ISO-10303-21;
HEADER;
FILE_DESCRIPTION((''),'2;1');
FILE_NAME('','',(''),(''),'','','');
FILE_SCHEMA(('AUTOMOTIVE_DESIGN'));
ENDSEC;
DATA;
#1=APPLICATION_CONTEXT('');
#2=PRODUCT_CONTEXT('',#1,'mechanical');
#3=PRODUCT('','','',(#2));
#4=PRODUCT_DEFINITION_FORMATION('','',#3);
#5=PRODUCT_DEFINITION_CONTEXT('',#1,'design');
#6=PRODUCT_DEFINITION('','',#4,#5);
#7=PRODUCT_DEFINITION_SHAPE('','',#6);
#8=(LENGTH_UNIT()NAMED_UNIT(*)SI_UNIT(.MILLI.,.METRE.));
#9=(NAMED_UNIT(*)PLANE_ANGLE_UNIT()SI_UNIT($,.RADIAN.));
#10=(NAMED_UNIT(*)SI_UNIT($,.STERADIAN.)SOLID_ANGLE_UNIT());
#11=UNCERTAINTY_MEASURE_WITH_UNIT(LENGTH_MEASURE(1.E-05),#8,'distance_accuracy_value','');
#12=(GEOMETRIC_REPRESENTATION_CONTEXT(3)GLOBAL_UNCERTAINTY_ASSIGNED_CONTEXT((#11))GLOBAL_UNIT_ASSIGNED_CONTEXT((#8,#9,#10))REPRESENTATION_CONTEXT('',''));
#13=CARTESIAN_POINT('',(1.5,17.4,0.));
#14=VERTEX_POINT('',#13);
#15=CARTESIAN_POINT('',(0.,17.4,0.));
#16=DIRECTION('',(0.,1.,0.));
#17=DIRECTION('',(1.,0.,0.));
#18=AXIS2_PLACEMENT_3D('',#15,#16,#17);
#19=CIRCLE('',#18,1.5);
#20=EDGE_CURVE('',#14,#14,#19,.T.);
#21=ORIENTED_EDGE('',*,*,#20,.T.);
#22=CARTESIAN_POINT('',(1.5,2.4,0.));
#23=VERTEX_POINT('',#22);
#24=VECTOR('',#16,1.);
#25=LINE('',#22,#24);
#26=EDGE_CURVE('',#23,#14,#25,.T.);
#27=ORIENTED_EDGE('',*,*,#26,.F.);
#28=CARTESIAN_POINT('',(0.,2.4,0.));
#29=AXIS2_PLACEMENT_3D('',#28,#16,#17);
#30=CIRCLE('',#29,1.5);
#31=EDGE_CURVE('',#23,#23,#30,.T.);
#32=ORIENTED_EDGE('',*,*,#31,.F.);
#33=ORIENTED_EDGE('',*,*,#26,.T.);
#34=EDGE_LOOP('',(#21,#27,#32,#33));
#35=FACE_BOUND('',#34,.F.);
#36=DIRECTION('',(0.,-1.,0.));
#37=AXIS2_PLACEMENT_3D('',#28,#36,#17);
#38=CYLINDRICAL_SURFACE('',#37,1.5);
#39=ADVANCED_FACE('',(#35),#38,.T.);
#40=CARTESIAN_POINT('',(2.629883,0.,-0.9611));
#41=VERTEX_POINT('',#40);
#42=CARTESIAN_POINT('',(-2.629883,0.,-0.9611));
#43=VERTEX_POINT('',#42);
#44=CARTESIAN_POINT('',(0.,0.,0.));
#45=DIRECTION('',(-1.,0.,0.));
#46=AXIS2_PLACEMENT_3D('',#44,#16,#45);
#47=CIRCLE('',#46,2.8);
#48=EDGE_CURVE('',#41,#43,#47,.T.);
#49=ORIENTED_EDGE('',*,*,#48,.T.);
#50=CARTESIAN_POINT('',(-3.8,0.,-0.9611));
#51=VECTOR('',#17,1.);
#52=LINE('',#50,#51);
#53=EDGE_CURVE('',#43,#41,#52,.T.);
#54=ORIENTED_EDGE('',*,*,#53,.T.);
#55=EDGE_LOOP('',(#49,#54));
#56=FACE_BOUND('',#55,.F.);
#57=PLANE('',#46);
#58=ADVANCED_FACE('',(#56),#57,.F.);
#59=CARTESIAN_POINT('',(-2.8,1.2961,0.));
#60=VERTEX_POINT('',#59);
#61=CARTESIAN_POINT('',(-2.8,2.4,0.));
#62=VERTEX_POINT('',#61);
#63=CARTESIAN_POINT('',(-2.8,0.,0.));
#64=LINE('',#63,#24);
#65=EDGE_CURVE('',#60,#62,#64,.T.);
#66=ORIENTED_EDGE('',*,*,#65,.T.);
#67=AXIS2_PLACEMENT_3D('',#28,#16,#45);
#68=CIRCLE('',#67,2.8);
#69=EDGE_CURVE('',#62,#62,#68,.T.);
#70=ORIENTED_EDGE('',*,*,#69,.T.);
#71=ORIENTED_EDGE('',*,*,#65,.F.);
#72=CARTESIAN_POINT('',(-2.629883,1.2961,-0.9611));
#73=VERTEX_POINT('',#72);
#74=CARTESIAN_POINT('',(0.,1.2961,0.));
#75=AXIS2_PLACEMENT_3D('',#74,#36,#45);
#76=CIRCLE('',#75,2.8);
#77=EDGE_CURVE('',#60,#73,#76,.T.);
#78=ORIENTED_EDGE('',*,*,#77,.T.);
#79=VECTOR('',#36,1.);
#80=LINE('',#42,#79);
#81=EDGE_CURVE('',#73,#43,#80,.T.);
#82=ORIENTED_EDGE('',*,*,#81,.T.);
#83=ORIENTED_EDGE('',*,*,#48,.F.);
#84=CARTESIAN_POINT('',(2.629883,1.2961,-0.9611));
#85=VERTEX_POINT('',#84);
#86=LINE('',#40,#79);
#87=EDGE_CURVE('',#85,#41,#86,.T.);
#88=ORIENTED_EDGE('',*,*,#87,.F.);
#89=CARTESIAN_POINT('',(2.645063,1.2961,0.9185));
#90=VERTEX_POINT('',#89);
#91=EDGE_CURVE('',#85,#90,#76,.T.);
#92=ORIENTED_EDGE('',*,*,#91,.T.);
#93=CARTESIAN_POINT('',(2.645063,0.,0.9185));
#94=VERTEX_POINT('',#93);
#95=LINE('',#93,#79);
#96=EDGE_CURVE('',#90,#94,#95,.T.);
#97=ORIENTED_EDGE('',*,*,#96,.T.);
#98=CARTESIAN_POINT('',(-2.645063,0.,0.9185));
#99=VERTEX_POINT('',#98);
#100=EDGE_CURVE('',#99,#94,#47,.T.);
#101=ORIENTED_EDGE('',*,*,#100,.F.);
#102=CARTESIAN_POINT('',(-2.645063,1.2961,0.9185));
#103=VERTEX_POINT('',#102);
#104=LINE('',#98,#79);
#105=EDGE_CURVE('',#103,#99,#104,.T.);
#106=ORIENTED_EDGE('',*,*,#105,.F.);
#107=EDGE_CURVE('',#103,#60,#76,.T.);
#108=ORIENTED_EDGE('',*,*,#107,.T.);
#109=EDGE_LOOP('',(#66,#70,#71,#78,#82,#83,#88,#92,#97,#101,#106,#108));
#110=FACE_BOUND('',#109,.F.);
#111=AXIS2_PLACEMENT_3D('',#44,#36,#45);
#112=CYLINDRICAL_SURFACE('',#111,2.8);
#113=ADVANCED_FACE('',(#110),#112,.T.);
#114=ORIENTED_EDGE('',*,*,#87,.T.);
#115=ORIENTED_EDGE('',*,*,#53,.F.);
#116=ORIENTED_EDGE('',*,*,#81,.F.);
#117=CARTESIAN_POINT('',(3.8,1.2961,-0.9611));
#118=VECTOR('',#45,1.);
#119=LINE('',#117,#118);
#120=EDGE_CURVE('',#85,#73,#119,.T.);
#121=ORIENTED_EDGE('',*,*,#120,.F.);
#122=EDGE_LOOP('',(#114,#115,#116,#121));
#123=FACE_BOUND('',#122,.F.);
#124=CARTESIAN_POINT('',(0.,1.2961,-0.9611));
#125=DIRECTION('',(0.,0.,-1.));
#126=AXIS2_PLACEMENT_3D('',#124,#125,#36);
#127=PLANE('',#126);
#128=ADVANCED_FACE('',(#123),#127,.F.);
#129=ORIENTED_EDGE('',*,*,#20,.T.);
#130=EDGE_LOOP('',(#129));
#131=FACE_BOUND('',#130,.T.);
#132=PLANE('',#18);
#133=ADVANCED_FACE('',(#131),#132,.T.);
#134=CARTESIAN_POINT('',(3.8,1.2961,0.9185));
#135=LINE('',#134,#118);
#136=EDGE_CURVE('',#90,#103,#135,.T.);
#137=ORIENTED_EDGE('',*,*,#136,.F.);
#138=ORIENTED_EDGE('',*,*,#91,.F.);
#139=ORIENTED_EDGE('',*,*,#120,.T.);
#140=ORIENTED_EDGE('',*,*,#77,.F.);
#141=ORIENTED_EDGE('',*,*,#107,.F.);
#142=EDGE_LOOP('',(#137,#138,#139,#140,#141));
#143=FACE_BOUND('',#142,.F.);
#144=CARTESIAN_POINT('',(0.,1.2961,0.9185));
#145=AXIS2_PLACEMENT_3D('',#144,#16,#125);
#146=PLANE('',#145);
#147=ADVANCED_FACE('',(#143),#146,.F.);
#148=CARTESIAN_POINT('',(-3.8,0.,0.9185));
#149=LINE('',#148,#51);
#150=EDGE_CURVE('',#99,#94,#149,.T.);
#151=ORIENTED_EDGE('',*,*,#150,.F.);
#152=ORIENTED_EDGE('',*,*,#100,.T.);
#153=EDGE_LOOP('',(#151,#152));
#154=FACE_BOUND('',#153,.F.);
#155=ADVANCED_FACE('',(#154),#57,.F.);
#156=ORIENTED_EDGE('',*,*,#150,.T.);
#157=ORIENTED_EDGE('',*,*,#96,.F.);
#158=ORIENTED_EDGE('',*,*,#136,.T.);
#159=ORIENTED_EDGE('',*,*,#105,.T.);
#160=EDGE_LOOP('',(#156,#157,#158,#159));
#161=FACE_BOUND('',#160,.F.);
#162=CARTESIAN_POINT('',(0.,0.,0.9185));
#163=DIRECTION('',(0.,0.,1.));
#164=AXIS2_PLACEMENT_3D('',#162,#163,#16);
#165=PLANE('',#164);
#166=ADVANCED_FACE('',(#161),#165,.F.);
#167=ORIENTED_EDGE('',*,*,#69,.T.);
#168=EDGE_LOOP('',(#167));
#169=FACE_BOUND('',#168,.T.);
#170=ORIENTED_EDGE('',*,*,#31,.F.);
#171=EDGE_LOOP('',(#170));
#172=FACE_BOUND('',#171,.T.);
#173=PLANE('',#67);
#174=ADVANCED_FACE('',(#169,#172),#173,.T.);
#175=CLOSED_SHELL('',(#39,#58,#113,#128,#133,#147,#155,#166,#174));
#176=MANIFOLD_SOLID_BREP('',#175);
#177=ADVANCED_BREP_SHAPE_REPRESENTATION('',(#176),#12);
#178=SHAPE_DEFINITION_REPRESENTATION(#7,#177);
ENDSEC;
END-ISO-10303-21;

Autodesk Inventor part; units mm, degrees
ref_plane "YZ Plane" through (0, 0, 0) normal (1, 0, 0) x (0, 1, 0)
ref_plane "XZ Plane" through (0, 0, 0) normal (0, 1, 0) x (-1, 0, 0)
ref_plane "XY Plane" through (0, 0, 0) normal (0, 0, 1) x (1, 0, 0)
sketch "Esboço1" plane through (0, 0, 0) normal (0, 1, 0) x (-1, 0, 0)
  circle A0 centre (0, 0) radius 2.8
  dimension "d0" = 5.6
extrude "Extrusão1" add sketch "Esboço1" along normal blind 2.4
sketch "Esboço2" plane through (0, 0, 0) normal (1, 0, 0) x (0, 1, 0)
  line L0 (0, 0.9185) -> (1.2961, 0.9185)
  line L1 (1.2961, 0.9185) -> (1.2961, -0.9611)
  line L2 (1.2961, -0.9611) -> (0, -0.9611)
  line L3 (0, -0.9611) -> (0, 0.9185)
  point P0 (0, 0)
extrude "Extrusão2" cut sketch "Esboço2" along normal through all both and the other way through all
sketch "Esboço3" plane through (0, 2.4, 0) normal (0, 1, 0) x (1, 0, 0)
  circle A0 centre (0, 0) radius 2.8 projected
  circle A1 centre (0, 0) radius 1.5
  dimension "d5" = 3
extrude "Extrusão3" add sketch "Esboço3" along normal blind 15 contours A1
thread "Rosca1" size "M3x0.5" class "6g" standard "ANSI Metric M Profile" full length
properties part number "AA-Parafuso-M3-30"
